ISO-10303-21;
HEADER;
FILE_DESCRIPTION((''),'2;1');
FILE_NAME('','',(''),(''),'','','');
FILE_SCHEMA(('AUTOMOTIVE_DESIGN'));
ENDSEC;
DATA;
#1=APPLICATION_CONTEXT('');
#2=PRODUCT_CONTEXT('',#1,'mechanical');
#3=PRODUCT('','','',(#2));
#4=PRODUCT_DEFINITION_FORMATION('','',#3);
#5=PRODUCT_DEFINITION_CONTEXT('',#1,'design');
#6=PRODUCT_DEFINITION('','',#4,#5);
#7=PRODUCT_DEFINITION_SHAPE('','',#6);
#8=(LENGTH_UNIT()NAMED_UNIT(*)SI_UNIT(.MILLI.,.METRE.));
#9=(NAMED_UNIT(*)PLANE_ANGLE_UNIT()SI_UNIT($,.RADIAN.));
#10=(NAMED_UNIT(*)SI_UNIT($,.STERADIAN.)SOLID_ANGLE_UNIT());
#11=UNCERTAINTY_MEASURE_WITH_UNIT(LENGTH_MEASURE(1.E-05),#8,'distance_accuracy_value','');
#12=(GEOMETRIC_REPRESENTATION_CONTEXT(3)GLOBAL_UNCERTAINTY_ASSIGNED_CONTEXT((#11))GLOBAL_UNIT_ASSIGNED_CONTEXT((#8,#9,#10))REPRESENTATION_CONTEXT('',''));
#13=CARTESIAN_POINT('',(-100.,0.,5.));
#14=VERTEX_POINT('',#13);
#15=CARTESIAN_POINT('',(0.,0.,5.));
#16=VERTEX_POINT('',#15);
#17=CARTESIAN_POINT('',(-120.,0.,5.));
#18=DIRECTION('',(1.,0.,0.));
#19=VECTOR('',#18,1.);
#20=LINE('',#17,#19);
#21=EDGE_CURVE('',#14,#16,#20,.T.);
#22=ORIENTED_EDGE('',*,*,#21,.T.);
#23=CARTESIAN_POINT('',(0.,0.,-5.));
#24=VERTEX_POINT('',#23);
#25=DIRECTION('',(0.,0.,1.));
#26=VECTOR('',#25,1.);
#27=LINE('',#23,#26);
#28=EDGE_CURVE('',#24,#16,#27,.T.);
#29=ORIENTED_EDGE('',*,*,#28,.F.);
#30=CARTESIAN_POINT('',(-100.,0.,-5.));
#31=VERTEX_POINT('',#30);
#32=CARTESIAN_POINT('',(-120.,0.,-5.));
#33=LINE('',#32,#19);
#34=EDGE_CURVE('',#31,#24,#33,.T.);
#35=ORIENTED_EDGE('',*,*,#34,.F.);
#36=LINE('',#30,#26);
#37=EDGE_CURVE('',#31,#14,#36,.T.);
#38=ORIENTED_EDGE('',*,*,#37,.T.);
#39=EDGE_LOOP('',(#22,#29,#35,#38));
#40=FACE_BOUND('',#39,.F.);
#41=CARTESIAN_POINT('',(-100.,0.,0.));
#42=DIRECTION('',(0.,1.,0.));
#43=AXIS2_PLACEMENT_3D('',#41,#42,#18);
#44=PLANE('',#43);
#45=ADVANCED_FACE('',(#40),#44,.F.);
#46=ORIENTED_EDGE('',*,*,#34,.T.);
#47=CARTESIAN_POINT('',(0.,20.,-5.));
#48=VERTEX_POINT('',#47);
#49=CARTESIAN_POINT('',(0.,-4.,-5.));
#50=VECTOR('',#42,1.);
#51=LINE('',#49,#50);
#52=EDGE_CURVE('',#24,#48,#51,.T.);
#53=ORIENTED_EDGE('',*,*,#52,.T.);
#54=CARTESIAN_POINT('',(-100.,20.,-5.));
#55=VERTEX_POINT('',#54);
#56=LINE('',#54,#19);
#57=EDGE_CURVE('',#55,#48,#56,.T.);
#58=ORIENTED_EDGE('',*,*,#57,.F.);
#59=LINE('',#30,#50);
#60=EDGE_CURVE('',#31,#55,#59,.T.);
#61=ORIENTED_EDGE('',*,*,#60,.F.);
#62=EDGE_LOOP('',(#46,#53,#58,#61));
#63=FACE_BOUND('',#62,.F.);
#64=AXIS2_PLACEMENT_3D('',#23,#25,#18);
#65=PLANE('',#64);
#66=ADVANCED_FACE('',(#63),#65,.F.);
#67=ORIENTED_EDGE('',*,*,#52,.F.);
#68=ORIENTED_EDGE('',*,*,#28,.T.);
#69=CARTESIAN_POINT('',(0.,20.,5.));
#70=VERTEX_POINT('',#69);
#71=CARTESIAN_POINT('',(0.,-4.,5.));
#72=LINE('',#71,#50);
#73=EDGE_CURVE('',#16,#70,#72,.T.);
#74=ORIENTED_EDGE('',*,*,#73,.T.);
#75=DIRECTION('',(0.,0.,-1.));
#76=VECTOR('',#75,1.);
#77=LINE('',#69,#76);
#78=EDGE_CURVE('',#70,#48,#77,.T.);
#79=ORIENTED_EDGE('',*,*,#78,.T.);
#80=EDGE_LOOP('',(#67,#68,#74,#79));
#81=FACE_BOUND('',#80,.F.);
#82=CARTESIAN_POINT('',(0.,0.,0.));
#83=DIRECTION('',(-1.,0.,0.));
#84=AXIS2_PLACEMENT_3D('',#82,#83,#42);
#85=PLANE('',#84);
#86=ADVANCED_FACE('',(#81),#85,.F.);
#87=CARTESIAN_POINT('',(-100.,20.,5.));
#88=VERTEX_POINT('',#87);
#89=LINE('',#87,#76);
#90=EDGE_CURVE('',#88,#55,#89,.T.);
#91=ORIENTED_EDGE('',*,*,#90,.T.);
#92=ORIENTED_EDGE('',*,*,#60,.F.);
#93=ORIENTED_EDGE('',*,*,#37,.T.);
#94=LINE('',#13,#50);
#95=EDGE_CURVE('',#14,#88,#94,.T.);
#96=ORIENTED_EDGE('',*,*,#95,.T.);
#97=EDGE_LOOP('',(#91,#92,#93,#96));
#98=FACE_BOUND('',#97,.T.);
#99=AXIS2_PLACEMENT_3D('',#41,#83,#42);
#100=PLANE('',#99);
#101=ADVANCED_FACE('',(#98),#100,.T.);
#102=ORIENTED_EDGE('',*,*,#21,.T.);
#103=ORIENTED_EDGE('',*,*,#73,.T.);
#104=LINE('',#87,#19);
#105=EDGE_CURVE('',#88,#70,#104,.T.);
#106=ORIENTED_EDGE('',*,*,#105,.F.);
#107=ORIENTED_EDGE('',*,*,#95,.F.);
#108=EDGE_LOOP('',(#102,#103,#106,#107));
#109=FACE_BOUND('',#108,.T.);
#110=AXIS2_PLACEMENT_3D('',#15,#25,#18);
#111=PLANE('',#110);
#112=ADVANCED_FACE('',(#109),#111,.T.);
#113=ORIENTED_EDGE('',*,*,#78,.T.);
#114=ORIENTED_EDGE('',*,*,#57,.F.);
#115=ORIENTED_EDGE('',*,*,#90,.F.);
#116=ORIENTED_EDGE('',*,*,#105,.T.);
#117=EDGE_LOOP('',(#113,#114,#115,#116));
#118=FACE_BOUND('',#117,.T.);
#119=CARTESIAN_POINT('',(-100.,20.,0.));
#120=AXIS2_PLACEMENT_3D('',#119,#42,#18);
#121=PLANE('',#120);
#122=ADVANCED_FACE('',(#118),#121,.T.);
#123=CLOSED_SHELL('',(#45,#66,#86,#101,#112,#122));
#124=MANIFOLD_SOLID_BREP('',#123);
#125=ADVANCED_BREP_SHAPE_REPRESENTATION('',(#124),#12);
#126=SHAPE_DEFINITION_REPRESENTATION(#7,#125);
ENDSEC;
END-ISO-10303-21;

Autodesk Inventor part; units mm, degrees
ref_plane "YZ Plane" through (0, 0, 0) normal (1, 0, 0) x (0, 1, 0)
ref_plane "XZ Plane" through (0, 0, 0) normal (0, 1, 0) x (-1, 0, 0)
ref_plane "XY Plane" through (0, 0, 0) normal (0, 0, 1) x (1, 0, 0)
sketch "Sketch1" plane through (0, 0, 0) normal (0, 0, 1) x (1, 0, 0)
  line L0 (-120, 0) -> (20, 0) projected
  line L1 (0, -4) -> (0, 24) projected
  line L2 (-100, 20) -> (0, 20)
  line L3 (0, 20) -> (0, 0)
  line L4 (0, 0) -> (-100, 0)
  line L5 (-100, 0) -> (-100, 20)
  point P0 (0, 20)
  dimension "d0" = 100
  dimension "d1" = 20
extrude "Extrusion1" add sketch "Sketch1" along normal mid plane 10
